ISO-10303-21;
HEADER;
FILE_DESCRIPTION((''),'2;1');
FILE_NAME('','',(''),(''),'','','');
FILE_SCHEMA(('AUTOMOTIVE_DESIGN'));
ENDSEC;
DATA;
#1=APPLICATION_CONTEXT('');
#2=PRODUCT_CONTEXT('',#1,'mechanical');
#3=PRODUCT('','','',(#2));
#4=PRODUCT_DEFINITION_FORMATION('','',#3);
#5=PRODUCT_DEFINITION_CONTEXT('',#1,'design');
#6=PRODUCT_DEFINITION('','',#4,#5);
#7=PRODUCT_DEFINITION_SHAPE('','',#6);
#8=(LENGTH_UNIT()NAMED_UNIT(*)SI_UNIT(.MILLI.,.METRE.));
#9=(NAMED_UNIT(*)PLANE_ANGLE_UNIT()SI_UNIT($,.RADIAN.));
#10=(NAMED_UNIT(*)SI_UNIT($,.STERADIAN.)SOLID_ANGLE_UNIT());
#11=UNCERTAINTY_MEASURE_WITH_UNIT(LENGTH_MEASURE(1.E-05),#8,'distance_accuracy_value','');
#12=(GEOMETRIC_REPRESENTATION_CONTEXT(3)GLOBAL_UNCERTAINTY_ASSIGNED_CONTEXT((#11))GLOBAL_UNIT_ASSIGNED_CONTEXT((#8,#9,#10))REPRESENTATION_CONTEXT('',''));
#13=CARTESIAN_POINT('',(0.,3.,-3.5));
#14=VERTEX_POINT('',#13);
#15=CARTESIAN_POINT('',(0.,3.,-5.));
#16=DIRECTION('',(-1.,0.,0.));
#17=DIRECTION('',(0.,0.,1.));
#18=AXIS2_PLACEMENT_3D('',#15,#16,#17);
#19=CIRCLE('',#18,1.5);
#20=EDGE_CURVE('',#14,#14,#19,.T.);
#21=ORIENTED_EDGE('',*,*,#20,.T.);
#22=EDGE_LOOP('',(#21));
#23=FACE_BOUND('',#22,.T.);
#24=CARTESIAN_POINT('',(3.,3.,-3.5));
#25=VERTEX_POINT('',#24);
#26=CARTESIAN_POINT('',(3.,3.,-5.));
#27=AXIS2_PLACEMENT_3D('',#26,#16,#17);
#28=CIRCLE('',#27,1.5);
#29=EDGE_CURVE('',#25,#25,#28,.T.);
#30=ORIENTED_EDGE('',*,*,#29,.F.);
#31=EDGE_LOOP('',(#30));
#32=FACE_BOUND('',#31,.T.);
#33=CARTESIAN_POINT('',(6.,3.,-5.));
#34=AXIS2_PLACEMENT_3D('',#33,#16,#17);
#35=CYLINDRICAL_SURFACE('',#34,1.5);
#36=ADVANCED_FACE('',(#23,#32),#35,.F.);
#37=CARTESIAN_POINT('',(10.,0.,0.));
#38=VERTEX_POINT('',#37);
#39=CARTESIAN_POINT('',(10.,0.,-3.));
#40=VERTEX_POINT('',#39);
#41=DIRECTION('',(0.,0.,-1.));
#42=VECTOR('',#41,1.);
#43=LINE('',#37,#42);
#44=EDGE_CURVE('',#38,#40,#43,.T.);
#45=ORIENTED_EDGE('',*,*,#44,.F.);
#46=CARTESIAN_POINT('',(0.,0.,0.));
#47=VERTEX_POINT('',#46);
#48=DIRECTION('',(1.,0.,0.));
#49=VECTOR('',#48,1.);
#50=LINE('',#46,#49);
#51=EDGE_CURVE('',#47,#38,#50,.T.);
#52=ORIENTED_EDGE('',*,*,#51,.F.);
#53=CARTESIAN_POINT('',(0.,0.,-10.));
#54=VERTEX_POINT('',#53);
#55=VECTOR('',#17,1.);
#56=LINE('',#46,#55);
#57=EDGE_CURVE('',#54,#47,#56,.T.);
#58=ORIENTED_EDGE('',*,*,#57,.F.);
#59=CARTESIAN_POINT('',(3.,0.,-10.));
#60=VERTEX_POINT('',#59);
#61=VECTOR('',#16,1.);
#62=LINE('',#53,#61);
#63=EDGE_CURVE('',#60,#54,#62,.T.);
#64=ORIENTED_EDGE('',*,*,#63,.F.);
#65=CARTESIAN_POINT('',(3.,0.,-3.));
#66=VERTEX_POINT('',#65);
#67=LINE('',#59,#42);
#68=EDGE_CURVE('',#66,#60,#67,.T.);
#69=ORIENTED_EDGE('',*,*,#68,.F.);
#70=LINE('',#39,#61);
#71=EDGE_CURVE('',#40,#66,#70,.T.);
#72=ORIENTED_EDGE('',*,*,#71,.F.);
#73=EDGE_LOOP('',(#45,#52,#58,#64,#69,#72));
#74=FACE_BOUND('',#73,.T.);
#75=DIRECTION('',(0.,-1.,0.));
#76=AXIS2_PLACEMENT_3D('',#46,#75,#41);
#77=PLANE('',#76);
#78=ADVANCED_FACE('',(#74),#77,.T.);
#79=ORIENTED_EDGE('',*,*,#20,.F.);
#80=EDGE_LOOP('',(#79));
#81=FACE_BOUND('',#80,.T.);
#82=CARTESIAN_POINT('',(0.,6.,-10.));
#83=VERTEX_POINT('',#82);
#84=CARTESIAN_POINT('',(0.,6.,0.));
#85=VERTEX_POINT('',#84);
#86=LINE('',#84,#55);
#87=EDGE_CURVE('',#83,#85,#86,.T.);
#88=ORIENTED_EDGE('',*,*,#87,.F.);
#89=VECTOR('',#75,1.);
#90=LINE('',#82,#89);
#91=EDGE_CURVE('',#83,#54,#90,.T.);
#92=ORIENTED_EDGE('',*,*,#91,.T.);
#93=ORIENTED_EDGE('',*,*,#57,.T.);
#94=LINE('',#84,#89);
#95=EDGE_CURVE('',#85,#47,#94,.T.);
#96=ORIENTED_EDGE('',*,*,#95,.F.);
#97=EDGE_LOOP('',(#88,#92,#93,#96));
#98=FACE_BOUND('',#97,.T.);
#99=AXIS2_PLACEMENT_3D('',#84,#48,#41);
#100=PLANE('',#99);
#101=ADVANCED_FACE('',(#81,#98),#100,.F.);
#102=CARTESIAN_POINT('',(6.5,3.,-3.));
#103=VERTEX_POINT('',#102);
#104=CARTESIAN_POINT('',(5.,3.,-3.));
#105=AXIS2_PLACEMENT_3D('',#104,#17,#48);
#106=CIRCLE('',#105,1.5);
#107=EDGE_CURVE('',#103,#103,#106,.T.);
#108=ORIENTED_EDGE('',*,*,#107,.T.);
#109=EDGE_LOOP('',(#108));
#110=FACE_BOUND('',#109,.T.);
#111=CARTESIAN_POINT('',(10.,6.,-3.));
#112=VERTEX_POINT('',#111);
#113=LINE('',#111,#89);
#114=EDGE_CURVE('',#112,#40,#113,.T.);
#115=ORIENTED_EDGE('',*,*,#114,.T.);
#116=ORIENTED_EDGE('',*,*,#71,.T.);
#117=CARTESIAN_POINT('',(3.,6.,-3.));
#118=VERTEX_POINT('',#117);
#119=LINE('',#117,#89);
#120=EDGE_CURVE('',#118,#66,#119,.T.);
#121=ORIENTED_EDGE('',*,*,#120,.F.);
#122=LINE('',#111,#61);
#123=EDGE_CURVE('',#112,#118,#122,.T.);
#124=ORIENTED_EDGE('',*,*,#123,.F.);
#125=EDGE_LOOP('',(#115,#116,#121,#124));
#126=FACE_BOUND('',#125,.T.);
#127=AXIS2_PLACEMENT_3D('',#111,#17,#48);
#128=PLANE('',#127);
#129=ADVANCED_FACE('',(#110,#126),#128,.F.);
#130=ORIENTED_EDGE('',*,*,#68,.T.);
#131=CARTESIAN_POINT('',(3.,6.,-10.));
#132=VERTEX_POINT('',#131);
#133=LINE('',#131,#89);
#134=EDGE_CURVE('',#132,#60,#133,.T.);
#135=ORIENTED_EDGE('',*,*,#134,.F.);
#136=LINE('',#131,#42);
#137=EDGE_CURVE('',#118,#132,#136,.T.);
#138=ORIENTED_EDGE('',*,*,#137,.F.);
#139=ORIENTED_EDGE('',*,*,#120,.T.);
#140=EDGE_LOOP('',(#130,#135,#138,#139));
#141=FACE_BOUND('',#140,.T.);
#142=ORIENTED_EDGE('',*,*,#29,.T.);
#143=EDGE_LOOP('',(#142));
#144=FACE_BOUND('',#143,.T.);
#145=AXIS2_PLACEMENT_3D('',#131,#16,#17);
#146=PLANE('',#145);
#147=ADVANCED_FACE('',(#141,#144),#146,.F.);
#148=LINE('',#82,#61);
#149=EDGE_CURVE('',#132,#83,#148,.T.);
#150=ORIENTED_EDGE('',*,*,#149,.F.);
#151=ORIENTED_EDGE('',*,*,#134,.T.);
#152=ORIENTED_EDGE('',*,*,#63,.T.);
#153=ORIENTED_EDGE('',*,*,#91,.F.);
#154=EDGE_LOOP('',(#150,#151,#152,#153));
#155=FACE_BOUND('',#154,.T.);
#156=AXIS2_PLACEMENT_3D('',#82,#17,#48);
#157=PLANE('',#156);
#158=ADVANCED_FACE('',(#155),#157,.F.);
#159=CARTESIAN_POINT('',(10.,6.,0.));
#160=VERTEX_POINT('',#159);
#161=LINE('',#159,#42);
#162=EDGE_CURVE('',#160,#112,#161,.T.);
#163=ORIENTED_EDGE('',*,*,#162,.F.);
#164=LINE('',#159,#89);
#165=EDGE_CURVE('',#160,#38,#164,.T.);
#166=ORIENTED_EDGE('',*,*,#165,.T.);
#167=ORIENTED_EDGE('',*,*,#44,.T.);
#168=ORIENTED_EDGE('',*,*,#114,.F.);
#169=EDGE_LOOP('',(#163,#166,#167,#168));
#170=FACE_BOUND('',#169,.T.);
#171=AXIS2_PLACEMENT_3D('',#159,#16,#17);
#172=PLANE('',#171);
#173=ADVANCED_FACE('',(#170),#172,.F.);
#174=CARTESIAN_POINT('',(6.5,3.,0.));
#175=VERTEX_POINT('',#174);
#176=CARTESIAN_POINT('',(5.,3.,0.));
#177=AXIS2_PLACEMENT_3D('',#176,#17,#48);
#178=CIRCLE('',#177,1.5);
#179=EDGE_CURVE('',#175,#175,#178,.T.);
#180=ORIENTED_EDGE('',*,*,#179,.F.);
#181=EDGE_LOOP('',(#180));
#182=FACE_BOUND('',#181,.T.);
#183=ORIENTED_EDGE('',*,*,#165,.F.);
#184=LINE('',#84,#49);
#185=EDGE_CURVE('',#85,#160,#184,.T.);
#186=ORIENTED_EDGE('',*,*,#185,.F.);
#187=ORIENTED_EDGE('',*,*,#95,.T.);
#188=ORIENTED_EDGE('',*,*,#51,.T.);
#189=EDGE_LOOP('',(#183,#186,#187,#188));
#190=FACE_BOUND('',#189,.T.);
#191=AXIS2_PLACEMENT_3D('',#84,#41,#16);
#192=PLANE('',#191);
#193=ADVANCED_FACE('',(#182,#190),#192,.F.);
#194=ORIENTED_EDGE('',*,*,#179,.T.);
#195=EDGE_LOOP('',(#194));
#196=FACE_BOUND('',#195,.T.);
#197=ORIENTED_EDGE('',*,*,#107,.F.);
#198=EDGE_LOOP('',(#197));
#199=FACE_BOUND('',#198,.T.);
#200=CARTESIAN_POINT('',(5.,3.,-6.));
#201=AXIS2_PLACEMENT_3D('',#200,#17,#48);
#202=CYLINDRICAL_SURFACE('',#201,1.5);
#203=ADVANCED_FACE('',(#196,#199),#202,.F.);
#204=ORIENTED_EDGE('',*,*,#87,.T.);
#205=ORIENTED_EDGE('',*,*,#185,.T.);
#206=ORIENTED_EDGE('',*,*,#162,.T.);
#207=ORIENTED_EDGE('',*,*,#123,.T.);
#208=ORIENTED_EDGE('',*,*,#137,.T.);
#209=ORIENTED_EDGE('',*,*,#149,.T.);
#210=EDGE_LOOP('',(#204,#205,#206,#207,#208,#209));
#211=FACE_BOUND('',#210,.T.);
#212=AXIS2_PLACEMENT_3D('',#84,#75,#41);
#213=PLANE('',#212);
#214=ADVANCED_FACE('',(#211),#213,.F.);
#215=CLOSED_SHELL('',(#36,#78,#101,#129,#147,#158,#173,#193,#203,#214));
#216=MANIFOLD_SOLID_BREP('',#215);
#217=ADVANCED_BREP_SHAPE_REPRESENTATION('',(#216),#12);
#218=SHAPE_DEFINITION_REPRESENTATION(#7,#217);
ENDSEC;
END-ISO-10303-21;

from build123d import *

# Parameters (mm, degrees)
EXTRUDE_1_DEPTH     = 6
SKETCH_2_R          = 1.5
CUT_EXTRUDE_1_DEPTH = 6
SKETCH_3_R          = 1.5
CUT_EXTRUDE_2_DEPTH = 6


with BuildPart() as part:
    # 草图1 → 凸台-拉伸1 (new body)
    with BuildSketch(Plane(origin=(0, 0, 0), x_dir=(1, 0, 0), z_dir=(0, 1, 0))):
        Polygon((0, 0), (10, 0), (10, 3), (3, 3), (3, 10), (0, 10), align=None)
    extrude(amount=EXTRUDE_1_DEPTH)

    # 草图2 → 切除-拉伸1 (cut)
    with BuildSketch(Plane.XY):
        with Locations((5, 3)):
            Circle(SKETCH_2_R)
    extrude(amount=-CUT_EXTRUDE_1_DEPTH, mode=Mode.SUBTRACT)

    # 草图3 → 切除-拉伸2 (cut)
    with BuildSketch(Plane.ZY):
        with Locations((-5, 3)):
            Circle(SKETCH_3_R)
    extrude(amount=-CUT_EXTRUDE_2_DEPTH, mode=Mode.SUBTRACT)


solid = part.part
